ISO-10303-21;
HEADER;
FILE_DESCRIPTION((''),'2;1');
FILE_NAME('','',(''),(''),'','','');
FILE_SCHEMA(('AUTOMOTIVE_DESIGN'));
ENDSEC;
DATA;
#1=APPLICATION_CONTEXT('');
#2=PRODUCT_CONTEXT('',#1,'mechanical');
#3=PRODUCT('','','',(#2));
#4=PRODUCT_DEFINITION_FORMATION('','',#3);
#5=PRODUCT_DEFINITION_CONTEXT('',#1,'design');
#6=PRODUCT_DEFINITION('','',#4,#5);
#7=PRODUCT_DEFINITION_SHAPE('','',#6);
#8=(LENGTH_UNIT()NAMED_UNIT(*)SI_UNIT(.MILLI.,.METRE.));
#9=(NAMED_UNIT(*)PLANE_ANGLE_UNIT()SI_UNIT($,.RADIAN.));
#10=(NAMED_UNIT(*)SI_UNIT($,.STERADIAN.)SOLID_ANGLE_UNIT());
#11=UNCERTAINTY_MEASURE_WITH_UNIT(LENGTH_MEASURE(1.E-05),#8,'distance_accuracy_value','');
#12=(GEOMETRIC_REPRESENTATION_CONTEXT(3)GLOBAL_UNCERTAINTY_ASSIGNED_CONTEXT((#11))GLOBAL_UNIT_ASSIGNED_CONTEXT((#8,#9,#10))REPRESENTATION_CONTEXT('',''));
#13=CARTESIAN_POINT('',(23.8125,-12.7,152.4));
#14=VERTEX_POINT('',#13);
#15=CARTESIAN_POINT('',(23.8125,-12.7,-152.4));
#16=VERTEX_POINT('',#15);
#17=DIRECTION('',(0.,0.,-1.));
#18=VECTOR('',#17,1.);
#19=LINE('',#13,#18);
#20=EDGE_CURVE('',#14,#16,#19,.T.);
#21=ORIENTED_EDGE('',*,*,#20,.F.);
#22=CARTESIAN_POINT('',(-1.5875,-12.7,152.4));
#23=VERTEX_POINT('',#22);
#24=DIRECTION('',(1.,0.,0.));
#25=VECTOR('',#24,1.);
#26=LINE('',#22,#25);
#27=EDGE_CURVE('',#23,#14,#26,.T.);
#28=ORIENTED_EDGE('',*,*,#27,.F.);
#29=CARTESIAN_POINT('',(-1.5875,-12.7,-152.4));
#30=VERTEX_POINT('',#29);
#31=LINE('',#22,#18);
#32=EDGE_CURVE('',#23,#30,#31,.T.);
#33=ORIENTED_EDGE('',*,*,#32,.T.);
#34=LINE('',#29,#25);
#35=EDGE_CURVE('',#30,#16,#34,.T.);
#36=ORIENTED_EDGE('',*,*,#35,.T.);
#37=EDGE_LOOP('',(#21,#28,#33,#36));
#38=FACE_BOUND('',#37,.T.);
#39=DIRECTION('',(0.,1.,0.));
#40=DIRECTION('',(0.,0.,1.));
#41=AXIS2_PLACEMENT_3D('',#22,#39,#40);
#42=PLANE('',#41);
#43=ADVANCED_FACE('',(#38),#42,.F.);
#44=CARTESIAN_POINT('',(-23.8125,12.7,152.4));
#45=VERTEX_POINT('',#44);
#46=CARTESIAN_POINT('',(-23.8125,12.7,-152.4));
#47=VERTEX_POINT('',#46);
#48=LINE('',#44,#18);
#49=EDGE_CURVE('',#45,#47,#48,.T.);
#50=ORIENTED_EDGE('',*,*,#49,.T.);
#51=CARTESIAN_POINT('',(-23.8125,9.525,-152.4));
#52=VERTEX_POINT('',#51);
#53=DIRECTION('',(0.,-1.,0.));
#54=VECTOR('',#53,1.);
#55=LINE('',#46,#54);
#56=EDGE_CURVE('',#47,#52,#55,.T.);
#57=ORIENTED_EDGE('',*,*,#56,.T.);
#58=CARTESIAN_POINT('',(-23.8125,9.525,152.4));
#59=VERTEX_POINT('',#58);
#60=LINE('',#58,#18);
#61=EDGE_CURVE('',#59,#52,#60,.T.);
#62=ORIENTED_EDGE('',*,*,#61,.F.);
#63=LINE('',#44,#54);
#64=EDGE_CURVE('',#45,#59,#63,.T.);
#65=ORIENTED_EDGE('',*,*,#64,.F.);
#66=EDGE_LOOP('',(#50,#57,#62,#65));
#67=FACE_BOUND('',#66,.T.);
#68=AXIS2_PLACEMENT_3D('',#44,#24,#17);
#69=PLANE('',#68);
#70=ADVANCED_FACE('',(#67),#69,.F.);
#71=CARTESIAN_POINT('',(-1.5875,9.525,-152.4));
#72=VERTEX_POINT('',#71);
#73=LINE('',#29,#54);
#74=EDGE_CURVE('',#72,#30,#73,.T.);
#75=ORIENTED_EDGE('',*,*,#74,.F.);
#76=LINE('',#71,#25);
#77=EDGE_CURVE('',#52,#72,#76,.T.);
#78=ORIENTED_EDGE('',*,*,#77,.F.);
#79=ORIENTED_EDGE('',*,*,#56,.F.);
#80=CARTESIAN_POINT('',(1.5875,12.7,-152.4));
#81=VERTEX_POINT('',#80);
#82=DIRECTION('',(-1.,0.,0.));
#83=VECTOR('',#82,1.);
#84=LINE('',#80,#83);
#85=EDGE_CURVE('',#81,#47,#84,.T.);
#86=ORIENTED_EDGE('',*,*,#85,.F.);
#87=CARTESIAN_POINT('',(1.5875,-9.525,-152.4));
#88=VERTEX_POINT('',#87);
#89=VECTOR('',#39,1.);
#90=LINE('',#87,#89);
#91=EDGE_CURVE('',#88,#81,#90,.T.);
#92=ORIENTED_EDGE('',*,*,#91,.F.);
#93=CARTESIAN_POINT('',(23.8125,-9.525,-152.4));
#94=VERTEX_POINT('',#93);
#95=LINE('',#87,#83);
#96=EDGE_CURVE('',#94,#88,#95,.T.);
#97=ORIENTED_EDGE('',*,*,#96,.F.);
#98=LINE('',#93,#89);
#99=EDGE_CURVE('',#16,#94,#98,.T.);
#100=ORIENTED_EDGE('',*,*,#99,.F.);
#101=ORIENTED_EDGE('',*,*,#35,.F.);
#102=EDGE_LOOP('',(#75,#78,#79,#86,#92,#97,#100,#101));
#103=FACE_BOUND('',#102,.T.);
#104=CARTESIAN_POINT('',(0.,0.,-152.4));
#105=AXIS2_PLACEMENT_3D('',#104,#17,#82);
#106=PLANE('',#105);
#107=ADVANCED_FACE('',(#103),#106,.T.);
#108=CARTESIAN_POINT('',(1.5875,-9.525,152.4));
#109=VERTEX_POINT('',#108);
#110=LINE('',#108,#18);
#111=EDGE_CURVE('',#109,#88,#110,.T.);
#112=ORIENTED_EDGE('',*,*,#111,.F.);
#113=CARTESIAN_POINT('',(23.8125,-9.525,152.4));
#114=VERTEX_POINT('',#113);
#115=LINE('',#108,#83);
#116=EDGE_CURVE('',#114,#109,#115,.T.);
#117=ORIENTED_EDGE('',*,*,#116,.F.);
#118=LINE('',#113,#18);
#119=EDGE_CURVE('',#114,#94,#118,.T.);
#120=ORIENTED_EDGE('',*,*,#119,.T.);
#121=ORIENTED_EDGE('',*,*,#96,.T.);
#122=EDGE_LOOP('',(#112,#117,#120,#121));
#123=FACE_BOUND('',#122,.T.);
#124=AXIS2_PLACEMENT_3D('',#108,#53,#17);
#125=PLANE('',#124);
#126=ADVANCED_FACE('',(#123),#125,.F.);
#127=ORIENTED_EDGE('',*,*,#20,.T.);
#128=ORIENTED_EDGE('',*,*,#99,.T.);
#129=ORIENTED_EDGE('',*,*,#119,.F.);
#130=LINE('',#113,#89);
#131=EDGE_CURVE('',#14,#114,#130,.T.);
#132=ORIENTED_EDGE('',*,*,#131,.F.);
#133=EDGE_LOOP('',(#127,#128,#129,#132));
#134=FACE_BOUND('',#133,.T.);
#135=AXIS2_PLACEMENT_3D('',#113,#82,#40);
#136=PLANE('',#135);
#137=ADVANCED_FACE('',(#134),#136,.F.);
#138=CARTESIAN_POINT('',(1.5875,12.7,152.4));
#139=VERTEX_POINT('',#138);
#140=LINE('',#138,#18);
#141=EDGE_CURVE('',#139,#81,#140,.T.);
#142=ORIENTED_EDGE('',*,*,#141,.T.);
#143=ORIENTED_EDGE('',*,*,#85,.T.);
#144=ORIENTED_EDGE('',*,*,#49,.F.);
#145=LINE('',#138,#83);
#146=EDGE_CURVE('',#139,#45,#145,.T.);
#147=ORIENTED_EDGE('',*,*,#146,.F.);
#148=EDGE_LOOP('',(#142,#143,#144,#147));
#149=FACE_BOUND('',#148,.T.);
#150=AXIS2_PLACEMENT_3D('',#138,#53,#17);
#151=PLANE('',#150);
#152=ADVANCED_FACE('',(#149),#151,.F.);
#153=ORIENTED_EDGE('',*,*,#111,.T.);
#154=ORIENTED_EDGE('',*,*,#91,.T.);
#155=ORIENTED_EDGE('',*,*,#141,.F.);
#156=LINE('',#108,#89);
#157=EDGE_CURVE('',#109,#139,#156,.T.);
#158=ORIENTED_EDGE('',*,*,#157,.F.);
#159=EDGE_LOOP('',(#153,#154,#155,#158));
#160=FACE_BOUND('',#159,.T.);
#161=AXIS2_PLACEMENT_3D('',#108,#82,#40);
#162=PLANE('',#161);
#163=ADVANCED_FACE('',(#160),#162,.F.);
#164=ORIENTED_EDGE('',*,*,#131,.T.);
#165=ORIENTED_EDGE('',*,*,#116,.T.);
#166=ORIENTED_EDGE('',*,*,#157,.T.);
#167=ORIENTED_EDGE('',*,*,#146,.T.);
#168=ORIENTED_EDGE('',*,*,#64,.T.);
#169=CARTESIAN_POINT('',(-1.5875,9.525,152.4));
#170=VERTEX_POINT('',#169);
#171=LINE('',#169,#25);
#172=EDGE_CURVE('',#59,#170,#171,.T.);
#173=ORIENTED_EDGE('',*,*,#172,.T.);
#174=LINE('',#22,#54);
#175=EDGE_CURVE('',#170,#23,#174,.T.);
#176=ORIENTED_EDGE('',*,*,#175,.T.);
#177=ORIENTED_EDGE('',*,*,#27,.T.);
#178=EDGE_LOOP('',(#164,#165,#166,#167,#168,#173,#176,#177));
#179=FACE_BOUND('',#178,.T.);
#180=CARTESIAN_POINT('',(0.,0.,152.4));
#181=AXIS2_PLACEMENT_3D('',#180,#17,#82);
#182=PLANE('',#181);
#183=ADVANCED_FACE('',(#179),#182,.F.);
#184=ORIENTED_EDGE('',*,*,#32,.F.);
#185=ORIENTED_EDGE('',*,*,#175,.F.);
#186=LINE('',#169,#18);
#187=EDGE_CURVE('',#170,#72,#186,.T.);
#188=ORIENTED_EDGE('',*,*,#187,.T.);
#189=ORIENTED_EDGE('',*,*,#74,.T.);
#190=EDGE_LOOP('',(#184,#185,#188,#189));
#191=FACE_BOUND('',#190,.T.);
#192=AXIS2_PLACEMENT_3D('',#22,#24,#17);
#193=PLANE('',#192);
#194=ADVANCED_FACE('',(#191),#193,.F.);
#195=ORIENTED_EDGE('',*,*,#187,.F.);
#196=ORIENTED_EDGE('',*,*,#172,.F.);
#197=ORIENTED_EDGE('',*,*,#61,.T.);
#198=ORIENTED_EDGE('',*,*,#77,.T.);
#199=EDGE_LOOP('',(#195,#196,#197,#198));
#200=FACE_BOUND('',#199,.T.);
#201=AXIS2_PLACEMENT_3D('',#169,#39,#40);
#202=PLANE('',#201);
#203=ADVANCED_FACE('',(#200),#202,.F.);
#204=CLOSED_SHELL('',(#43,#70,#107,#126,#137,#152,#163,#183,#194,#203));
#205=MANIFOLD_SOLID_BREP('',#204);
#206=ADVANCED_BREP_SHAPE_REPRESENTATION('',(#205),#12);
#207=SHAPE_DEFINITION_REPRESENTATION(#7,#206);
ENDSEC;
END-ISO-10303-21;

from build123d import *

# Parameters (mm, degrees)
BOSS_EXTRUDE1_DEPTH      = 152.4
BOSS_EXTRUDE1_DEPTH_BACK = 152.4


with BuildPart() as part:
    # Sketch3 → Boss-Extrude1 (new, two sides: drawn at the far end of the back side and taken through both)
    with BuildSketch(Plane.XY.offset(-BOSS_EXTRUDE1_DEPTH_BACK)):
        Polygon((23.8125, -9.525), (23.8125, -12.7), (-1.5875, -12.7), (-1.5875, 9.525), (-23.8125, 9.525), (-23.8125, 12.7), (1.5875, 12.7), (1.5875, -9.525), align=None)
    extrude(amount=BOSS_EXTRUDE1_DEPTH + BOSS_EXTRUDE1_DEPTH_BACK)


solid = part.part
